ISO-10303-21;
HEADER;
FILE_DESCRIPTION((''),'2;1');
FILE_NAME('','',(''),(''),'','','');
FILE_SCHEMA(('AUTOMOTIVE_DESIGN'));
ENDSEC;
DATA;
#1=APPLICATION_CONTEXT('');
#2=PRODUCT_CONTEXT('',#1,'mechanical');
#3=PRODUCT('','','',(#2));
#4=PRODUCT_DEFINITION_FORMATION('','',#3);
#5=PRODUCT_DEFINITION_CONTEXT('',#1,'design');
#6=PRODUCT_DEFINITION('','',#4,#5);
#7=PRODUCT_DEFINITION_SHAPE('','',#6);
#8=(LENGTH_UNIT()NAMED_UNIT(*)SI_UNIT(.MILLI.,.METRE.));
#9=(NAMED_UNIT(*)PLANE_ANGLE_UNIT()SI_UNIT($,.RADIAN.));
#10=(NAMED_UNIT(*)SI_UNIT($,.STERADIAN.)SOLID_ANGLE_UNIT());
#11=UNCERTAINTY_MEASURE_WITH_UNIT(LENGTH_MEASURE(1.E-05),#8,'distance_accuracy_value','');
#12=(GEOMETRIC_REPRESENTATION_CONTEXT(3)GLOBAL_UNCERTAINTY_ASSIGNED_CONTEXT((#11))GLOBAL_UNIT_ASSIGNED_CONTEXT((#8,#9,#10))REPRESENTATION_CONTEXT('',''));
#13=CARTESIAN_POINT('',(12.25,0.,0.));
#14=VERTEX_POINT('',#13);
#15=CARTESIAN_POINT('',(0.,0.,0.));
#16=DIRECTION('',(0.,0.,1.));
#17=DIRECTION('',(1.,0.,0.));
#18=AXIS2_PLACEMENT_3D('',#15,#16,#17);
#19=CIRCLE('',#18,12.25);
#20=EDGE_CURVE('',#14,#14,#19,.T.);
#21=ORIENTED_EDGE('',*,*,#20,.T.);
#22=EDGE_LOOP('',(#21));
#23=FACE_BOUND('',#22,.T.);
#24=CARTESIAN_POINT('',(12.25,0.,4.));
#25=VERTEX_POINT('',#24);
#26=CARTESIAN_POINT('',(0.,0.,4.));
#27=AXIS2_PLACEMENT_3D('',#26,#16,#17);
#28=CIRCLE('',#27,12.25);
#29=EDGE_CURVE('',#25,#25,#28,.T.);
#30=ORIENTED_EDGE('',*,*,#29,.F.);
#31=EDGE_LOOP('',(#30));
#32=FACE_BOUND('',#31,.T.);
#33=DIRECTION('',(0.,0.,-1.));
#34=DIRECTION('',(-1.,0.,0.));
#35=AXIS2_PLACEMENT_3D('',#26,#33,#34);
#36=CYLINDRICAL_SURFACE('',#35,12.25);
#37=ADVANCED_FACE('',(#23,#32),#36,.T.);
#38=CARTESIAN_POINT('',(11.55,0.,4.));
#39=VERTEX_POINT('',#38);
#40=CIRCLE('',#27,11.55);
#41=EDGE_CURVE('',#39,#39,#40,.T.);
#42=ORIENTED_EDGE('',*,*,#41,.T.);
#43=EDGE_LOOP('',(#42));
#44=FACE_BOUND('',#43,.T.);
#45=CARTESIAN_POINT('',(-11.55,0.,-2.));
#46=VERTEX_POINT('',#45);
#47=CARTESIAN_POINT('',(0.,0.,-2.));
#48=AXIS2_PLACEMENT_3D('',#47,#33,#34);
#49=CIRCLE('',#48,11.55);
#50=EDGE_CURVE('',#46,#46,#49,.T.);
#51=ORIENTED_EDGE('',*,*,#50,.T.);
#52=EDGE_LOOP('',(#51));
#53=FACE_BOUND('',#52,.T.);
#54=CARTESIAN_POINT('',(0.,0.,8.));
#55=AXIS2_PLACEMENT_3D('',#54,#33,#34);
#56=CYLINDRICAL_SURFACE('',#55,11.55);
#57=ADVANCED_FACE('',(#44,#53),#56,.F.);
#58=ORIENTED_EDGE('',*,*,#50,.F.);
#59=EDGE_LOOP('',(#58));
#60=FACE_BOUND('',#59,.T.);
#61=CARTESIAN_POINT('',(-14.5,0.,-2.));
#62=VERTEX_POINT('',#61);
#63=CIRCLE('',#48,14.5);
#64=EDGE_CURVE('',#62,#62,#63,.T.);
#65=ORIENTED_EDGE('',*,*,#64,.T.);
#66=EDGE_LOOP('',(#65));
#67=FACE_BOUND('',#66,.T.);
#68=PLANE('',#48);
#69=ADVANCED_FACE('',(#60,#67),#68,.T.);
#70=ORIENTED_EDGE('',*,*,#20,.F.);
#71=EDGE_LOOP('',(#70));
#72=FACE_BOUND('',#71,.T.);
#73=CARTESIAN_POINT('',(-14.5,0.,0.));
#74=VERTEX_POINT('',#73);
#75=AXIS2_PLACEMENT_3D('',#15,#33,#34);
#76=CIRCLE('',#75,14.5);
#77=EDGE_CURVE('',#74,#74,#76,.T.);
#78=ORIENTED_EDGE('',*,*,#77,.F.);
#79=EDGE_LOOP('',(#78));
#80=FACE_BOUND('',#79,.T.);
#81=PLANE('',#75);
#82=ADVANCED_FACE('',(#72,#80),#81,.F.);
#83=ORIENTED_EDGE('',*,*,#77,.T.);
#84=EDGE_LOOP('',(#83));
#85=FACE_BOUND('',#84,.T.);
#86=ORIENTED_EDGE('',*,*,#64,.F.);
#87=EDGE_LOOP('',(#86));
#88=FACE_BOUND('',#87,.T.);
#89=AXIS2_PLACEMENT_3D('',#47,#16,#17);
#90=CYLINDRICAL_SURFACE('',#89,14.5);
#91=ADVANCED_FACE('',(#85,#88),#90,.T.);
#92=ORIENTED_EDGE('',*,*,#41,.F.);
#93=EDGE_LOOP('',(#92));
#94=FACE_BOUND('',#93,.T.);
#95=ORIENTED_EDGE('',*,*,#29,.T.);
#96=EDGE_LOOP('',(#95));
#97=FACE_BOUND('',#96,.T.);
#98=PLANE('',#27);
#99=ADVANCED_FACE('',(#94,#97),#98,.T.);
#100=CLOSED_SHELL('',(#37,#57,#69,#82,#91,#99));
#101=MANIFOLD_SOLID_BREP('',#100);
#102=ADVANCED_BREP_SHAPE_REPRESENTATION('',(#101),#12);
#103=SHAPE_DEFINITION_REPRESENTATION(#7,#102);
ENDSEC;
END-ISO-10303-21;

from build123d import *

# Parameters (mm, degrees)
CROQUIS1_R              = 12.25
SALIENTE_EXTRUIR1_DEPTH = 4
CROQUIS2_R              = 14.5
SALIENTE_EXTRUIR2_DEPTH = 2
CROQUIS3_R              = 11.55
CORTAR_EXTRUIR1_DEPTH   = 10


with BuildPart() as part:
    # Croquis1 → Saliente-Extruir1 (new body)
    with BuildSketch(Plane.XY):
        Circle(CROQUIS1_R)
    extrude(amount=SALIENTE_EXTRUIR1_DEPTH)

    # Croquis2 → Saliente-Extruir2 (add)
    with BuildSketch(Plane(origin=(0, 0, 0), x_dir=(-1, 0, 0), z_dir=(0, 0, -1))):
        Circle(CROQUIS2_R)
    extrude(amount=SALIENTE_EXTRUIR2_DEPTH)

    # Croquis3 → Cortar-Extruir1 (cut)
    with BuildSketch(Plane(origin=(0, 0, -2), x_dir=(-1, 0, 0), z_dir=(0, 0, -1))):
        Circle(CROQUIS3_R)
    extrude(amount=-CORTAR_EXTRUIR1_DEPTH, mode=Mode.SUBTRACT)


solid = part.part
